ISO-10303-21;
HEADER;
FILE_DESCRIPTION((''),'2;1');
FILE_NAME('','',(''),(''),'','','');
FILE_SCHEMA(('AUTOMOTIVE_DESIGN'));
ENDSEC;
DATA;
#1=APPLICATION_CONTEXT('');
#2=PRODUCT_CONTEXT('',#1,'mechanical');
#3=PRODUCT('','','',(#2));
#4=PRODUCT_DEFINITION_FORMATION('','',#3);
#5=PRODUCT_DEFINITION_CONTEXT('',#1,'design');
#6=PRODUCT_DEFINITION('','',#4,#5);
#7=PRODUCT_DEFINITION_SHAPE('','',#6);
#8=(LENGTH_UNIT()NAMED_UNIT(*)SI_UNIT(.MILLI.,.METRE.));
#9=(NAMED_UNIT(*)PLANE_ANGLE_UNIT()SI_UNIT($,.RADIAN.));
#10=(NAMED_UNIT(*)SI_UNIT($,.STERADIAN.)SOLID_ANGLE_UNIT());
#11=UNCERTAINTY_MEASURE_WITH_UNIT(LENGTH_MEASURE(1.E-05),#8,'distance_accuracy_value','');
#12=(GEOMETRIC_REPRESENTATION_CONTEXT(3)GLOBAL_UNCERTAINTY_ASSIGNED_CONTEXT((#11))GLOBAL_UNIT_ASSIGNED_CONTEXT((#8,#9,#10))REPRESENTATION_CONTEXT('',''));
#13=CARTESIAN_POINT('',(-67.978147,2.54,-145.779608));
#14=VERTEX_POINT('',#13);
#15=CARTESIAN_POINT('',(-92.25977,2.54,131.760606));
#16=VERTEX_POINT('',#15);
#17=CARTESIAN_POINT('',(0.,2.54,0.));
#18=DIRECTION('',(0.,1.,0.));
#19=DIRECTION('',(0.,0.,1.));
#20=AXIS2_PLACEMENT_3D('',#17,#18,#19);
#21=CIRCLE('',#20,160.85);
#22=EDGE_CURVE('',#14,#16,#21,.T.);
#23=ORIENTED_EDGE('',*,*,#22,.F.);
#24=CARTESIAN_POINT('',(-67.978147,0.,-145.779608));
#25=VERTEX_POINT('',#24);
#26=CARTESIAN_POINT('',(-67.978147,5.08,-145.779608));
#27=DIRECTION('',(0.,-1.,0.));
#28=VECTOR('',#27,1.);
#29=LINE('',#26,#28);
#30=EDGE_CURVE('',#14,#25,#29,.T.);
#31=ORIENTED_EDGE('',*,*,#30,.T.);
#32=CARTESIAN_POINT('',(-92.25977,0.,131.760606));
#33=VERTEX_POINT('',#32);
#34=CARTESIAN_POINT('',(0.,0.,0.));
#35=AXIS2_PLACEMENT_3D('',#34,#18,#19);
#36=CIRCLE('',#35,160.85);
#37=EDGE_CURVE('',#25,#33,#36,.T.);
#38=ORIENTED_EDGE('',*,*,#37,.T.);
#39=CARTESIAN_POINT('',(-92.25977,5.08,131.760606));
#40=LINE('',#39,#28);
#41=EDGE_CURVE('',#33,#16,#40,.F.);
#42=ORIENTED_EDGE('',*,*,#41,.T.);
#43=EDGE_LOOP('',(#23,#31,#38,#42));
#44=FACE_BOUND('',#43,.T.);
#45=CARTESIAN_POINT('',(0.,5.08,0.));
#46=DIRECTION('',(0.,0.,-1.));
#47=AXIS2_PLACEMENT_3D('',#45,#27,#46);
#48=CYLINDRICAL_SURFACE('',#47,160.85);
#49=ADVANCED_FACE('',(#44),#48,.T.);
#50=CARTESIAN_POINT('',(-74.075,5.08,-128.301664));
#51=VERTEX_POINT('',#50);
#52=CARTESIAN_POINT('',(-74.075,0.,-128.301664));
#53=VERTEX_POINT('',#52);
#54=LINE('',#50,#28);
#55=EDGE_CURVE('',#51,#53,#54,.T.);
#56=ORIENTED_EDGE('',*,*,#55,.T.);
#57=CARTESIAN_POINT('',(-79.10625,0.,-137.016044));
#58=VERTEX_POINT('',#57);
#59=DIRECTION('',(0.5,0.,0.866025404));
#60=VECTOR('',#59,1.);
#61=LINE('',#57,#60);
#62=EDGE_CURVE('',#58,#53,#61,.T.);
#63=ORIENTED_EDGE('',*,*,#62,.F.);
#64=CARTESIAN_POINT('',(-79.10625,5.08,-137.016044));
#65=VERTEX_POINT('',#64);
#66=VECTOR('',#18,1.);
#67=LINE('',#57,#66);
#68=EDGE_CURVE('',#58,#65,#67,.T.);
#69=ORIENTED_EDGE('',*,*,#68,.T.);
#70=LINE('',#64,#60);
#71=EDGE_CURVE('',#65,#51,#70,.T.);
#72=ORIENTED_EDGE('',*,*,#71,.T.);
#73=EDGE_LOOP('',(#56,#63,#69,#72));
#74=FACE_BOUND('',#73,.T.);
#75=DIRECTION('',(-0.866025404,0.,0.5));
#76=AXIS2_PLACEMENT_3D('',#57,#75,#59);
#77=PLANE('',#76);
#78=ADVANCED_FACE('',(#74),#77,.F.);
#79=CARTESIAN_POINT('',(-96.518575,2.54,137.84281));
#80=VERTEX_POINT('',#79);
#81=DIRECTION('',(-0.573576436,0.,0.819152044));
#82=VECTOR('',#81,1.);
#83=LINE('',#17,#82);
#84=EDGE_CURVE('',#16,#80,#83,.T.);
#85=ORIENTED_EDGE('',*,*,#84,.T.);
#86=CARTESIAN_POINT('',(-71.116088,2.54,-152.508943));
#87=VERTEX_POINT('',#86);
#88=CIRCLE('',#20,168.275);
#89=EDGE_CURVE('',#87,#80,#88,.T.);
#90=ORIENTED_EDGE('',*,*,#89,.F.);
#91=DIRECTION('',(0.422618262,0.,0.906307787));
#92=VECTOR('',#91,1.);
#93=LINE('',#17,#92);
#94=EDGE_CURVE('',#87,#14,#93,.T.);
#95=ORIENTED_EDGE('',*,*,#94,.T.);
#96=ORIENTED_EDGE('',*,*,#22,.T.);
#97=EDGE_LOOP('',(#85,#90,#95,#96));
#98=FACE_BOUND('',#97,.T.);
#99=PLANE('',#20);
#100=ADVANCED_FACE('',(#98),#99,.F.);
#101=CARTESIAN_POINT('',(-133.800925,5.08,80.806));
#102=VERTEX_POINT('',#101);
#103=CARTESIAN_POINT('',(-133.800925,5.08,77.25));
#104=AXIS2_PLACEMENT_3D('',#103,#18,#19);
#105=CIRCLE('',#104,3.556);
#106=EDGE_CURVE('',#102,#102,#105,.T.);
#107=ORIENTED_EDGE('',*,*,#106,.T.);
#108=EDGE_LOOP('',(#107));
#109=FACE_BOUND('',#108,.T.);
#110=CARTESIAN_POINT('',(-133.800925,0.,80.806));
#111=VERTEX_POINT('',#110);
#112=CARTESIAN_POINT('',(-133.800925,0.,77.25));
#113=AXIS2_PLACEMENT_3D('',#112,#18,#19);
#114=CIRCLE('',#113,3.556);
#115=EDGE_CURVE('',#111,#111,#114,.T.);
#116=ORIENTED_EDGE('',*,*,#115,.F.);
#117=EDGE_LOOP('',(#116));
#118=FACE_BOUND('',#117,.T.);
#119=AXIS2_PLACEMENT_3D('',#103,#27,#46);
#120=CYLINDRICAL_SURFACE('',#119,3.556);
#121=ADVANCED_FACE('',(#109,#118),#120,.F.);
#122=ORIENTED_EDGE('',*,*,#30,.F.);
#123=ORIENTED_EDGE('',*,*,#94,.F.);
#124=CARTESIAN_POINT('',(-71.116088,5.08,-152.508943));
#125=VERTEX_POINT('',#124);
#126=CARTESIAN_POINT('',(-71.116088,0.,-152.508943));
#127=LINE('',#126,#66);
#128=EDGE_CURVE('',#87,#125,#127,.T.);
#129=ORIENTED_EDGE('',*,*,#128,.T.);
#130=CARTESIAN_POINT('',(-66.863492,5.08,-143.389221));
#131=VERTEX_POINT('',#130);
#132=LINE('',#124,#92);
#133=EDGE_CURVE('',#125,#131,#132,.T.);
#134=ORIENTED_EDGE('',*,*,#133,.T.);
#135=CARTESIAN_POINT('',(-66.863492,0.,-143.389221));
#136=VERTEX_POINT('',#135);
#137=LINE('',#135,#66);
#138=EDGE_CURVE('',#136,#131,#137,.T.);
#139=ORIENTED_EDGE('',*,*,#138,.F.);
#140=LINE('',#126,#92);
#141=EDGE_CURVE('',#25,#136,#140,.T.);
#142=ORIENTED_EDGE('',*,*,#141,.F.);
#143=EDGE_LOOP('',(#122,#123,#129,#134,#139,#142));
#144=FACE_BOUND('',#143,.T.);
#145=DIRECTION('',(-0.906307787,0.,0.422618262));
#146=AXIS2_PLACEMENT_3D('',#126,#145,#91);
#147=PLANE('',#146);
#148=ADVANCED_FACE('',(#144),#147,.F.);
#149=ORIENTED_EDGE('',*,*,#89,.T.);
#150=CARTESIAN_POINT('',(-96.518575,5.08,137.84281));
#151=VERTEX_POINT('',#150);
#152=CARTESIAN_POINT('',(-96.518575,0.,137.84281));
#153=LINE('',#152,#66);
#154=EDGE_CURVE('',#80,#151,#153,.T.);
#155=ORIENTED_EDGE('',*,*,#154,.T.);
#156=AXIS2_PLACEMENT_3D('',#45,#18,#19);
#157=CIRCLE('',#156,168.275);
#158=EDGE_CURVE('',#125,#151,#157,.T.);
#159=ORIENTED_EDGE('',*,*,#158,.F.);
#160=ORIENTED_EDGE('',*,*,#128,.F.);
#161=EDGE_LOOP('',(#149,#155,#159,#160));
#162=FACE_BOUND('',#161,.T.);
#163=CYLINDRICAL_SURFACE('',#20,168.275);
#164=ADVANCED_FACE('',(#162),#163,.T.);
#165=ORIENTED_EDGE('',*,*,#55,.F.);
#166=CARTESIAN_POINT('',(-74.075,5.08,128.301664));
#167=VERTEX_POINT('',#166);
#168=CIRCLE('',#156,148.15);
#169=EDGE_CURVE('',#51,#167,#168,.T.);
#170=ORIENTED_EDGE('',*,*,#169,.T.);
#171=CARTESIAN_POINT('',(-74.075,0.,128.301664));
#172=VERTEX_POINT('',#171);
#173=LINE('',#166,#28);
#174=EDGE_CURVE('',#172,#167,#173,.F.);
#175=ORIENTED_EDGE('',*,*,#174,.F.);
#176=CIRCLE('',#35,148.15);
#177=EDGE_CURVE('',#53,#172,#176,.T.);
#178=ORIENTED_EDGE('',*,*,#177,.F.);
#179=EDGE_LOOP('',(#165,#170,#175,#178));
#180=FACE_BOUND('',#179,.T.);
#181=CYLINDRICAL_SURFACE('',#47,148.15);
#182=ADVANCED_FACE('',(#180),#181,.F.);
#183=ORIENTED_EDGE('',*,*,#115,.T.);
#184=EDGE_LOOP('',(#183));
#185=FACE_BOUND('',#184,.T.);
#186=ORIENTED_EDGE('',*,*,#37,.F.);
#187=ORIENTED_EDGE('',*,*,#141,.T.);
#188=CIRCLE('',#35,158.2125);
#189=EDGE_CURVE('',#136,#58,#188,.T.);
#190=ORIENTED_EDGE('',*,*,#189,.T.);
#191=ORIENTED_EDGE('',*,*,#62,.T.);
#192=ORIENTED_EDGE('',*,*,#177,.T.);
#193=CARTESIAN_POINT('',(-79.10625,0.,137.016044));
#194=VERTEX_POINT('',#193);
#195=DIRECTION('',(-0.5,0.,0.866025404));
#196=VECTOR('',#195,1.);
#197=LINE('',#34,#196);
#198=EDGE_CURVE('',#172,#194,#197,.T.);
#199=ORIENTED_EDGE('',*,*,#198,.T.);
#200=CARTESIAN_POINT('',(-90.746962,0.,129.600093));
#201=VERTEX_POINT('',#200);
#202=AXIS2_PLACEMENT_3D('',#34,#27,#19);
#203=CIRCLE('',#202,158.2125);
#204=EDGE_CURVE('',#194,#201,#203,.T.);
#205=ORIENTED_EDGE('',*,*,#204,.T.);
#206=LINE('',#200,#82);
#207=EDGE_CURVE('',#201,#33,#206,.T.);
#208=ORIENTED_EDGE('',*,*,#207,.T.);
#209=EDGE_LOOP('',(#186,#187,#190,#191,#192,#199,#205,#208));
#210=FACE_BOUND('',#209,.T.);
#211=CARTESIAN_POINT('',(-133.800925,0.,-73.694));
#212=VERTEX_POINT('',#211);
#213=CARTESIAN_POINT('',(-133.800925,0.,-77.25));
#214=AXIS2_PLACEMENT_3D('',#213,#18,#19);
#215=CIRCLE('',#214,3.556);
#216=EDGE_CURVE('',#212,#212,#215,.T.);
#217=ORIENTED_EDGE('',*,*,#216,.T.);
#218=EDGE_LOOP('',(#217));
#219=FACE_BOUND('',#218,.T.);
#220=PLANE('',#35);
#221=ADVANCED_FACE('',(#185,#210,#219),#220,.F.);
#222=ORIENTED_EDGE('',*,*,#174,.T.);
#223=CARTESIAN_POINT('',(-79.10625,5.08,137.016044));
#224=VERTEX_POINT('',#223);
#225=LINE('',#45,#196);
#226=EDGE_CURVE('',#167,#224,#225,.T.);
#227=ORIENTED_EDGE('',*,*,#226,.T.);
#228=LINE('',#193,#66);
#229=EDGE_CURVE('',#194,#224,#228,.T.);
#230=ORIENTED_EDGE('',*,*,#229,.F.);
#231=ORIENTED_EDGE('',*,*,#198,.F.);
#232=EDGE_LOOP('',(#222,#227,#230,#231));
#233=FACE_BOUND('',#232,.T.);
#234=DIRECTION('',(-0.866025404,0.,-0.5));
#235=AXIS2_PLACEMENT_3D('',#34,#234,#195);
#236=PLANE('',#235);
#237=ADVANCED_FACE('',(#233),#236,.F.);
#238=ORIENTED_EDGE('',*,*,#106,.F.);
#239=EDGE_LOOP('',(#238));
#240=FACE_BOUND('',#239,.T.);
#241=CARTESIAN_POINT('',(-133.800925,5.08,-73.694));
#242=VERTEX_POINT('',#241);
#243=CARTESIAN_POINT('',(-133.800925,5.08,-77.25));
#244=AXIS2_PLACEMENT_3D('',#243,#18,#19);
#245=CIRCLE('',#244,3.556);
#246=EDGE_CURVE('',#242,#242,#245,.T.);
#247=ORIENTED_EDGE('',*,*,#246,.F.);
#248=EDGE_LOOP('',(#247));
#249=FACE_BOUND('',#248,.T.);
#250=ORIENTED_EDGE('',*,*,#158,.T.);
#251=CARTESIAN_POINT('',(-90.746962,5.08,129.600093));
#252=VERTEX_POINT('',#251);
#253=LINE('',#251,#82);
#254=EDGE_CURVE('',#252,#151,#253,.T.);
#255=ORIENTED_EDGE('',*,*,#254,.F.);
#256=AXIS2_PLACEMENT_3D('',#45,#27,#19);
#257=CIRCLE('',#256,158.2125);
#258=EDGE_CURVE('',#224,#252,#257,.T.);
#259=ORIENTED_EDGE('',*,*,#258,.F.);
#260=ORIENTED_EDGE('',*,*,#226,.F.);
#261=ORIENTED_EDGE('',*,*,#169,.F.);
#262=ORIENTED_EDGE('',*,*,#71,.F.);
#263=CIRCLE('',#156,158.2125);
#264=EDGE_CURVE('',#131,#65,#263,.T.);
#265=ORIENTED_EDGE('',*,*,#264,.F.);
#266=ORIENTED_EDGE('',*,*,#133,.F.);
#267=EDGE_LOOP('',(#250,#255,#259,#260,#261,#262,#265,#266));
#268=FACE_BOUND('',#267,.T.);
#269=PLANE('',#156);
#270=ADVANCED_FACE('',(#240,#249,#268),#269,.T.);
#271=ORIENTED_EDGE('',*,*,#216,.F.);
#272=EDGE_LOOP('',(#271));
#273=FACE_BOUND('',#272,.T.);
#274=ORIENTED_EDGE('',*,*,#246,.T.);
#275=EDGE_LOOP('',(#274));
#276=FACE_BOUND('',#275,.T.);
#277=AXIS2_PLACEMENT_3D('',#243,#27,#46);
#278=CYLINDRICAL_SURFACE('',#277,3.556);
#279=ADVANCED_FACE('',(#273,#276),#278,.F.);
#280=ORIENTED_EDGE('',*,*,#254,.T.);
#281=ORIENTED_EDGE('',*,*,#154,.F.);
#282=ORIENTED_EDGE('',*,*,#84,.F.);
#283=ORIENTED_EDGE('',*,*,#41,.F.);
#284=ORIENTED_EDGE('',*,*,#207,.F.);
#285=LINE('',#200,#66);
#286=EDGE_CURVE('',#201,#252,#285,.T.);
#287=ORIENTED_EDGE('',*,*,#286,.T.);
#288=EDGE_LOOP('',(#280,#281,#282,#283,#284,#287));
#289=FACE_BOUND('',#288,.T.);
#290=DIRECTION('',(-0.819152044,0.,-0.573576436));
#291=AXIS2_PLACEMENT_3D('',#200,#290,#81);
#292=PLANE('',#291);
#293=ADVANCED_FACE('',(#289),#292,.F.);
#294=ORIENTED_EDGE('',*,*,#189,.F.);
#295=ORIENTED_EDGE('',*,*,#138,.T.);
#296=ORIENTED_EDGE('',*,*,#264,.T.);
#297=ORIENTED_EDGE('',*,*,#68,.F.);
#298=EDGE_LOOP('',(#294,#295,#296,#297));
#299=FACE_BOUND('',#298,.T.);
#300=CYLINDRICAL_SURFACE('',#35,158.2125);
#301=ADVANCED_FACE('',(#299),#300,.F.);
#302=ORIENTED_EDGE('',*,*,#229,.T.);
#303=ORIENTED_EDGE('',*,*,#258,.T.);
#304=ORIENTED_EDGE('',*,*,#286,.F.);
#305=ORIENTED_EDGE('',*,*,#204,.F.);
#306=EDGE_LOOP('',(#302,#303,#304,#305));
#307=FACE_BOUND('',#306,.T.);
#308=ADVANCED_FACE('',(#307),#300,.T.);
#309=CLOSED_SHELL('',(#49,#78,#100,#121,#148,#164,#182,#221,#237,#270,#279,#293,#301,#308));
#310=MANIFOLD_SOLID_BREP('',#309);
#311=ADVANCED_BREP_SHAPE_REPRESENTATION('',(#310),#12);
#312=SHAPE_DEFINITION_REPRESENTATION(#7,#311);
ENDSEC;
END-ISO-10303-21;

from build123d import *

# Parameters (mm, degrees)
SKETCH1_R           = 160.85
SKETCH1_R_2         = 3.556
SKETCH1_R_3         = 148.15
BOSS_EXTRUDE1_DEPTH = 5.08
SKETCH2_R           = 168.275
SKETCH2_R_2         = 160.85
BOSS_EXTRUDE2_DEPTH = 2.54
CUT_EXTRUDE1_DEPTH  = 6.08


with BuildPart() as part:
    # Sketch1 → Boss-Extrude1 (new body)
    with BuildSketch(Plane(origin=(0, 0, 0), x_dir=(1, 0, 0), z_dir=(0, 1, 0))):
        Circle(SKETCH1_R)
        with Locations((0, 154.5)):
            Circle(SKETCH1_R_2, mode=Mode.SUBTRACT)
        with Locations((133.800924885, 77.25)):
            Circle(SKETCH1_R_2, mode=Mode.SUBTRACT)
        with Locations((133.800924885, -77.25)):
            Circle(SKETCH1_R_2, mode=Mode.SUBTRACT)
        with Locations((0, -154.5)):
            Circle(SKETCH1_R_2, mode=Mode.SUBTRACT)
        with Locations((-133.800924885, -77.25)):
            Circle(SKETCH1_R_2, mode=Mode.SUBTRACT)
        with Locations((-133.800924885, 77.25)):
            Circle(SKETCH1_R_2, mode=Mode.SUBTRACT)
        Circle(SKETCH1_R_3, mode=Mode.SUBTRACT)
    extrude(amount=BOSS_EXTRUDE1_DEPTH)

    # Sketch2 → Boss-Extrude2 (add)
    with BuildSketch(Plane(origin=(0, 5.08, 0), x_dir=(1, 0, 0), z_dir=(0, 1, 0))):
        Circle(SKETCH2_R)
        Circle(SKETCH2_R_2, mode=Mode.SUBTRACT)
    extrude(amount=-BOSS_EXTRUDE2_DEPTH)

    # Sketch3 → Cut-Extrude1 (cut, through all)
    with BuildSketch(Plane(origin=(0, 5.08, 0), x_dir=(1, 0, 0), z_dir=(0, 1, 0))):
        with BuildLine():
            Line((-88.9, 153.979316793), (-84.1375, 145.730424822))
            ThreePointArc((-84.1375, 145.730424822), (-77.700747892, 149.261747953), (-71.116087994, 152.508942864))
            Line((-71.116087994, 152.508942864), (-66.863491736, 143.389220757))
            ThreePointArc((-66.863491736, 143.389220757), (-73.054402471, 140.336201444), (-79.10625, 137.016044196))
            Line((-79.10625, 137.016044196), (0, 0))
            Line((0, 0), (-79.10625, -137.016044196))
            ThreePointArc((-79.10625, -137.016044196), (-85.007514286, -133.435069121), (-90.746961936, -129.600092807))
            Line((-90.746961936, -129.600092807), (-96.518574827, -137.842810253))
            ThreePointArc((-96.518574827, -137.842810253), (-90.414091595, -141.921695544), (-84.1375, -145.730424822))
            Line((-84.1375, -145.730424822), (-88.9, -153.979316793))
            ThreePointArc((-88.9, -153.979316793), (177.8, 0), (-88.9, 153.979316793))
        make_face()
    extrude(amount=-CUT_EXTRUDE1_DEPTH, mode=Mode.SUBTRACT)


solid = part.part
